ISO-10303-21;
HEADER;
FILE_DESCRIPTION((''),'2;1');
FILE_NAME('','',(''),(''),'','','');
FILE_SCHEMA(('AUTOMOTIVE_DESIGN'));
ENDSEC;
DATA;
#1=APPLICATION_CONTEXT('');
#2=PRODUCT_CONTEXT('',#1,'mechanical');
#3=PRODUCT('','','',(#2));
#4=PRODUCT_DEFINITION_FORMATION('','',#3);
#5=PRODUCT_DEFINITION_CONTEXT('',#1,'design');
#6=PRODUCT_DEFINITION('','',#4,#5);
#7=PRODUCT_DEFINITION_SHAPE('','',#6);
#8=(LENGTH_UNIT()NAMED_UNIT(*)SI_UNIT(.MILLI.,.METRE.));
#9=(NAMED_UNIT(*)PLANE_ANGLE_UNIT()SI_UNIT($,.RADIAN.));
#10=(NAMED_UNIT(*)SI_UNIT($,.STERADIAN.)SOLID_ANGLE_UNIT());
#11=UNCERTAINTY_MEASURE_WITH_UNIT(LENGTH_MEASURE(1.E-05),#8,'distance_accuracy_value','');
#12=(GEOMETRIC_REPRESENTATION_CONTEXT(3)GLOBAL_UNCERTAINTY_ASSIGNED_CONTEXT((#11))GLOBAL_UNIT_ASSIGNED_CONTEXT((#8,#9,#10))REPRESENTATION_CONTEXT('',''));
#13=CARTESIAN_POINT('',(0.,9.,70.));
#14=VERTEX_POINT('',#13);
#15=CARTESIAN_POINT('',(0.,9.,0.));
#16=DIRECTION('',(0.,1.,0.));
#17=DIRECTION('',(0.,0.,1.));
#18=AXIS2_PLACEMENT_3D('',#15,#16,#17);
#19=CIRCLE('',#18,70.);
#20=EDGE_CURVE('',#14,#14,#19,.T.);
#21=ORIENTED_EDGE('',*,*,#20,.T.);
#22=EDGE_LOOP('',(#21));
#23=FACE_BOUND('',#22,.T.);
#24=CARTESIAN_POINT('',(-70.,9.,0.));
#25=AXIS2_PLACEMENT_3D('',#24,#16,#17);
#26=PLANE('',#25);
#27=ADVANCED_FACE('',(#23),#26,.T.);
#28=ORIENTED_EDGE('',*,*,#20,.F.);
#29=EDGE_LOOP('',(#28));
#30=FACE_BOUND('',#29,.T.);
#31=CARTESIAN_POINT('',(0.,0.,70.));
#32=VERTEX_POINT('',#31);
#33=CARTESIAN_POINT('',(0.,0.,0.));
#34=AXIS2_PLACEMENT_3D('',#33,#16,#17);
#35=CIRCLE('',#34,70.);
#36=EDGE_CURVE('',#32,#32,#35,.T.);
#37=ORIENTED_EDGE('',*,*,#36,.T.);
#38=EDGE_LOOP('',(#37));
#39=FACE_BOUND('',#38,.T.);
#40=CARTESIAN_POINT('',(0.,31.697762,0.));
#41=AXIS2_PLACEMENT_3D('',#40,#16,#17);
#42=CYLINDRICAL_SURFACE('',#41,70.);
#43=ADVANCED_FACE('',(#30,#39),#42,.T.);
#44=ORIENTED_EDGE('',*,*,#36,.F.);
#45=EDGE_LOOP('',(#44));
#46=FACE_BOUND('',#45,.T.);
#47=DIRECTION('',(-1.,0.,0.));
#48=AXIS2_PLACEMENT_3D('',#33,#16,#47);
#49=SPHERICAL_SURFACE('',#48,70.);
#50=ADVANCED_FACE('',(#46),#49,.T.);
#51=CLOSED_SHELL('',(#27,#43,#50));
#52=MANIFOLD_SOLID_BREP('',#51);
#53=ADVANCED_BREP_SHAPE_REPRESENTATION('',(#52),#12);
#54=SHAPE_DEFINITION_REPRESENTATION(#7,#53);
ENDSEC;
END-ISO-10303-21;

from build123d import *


with BuildPart() as part:
    # Sketch4 → Revolve1 (revolve)
    with BuildSketch(Plane.XY):
        with BuildLine():
            Line((0, 0), (0, 9))
            Line((0, 9), (-70, 9))
            Line((-70, 9), (-70, 0))
            ThreePointArc((-70, 0), (-49.497474683, -49.497474683), (0, -70))
            Line((0, -70), (0, 0))
        make_face()
    revolve(axis=Axis((0, 31.69776157, 0), (0, -1, 0)))


solid = part.part
